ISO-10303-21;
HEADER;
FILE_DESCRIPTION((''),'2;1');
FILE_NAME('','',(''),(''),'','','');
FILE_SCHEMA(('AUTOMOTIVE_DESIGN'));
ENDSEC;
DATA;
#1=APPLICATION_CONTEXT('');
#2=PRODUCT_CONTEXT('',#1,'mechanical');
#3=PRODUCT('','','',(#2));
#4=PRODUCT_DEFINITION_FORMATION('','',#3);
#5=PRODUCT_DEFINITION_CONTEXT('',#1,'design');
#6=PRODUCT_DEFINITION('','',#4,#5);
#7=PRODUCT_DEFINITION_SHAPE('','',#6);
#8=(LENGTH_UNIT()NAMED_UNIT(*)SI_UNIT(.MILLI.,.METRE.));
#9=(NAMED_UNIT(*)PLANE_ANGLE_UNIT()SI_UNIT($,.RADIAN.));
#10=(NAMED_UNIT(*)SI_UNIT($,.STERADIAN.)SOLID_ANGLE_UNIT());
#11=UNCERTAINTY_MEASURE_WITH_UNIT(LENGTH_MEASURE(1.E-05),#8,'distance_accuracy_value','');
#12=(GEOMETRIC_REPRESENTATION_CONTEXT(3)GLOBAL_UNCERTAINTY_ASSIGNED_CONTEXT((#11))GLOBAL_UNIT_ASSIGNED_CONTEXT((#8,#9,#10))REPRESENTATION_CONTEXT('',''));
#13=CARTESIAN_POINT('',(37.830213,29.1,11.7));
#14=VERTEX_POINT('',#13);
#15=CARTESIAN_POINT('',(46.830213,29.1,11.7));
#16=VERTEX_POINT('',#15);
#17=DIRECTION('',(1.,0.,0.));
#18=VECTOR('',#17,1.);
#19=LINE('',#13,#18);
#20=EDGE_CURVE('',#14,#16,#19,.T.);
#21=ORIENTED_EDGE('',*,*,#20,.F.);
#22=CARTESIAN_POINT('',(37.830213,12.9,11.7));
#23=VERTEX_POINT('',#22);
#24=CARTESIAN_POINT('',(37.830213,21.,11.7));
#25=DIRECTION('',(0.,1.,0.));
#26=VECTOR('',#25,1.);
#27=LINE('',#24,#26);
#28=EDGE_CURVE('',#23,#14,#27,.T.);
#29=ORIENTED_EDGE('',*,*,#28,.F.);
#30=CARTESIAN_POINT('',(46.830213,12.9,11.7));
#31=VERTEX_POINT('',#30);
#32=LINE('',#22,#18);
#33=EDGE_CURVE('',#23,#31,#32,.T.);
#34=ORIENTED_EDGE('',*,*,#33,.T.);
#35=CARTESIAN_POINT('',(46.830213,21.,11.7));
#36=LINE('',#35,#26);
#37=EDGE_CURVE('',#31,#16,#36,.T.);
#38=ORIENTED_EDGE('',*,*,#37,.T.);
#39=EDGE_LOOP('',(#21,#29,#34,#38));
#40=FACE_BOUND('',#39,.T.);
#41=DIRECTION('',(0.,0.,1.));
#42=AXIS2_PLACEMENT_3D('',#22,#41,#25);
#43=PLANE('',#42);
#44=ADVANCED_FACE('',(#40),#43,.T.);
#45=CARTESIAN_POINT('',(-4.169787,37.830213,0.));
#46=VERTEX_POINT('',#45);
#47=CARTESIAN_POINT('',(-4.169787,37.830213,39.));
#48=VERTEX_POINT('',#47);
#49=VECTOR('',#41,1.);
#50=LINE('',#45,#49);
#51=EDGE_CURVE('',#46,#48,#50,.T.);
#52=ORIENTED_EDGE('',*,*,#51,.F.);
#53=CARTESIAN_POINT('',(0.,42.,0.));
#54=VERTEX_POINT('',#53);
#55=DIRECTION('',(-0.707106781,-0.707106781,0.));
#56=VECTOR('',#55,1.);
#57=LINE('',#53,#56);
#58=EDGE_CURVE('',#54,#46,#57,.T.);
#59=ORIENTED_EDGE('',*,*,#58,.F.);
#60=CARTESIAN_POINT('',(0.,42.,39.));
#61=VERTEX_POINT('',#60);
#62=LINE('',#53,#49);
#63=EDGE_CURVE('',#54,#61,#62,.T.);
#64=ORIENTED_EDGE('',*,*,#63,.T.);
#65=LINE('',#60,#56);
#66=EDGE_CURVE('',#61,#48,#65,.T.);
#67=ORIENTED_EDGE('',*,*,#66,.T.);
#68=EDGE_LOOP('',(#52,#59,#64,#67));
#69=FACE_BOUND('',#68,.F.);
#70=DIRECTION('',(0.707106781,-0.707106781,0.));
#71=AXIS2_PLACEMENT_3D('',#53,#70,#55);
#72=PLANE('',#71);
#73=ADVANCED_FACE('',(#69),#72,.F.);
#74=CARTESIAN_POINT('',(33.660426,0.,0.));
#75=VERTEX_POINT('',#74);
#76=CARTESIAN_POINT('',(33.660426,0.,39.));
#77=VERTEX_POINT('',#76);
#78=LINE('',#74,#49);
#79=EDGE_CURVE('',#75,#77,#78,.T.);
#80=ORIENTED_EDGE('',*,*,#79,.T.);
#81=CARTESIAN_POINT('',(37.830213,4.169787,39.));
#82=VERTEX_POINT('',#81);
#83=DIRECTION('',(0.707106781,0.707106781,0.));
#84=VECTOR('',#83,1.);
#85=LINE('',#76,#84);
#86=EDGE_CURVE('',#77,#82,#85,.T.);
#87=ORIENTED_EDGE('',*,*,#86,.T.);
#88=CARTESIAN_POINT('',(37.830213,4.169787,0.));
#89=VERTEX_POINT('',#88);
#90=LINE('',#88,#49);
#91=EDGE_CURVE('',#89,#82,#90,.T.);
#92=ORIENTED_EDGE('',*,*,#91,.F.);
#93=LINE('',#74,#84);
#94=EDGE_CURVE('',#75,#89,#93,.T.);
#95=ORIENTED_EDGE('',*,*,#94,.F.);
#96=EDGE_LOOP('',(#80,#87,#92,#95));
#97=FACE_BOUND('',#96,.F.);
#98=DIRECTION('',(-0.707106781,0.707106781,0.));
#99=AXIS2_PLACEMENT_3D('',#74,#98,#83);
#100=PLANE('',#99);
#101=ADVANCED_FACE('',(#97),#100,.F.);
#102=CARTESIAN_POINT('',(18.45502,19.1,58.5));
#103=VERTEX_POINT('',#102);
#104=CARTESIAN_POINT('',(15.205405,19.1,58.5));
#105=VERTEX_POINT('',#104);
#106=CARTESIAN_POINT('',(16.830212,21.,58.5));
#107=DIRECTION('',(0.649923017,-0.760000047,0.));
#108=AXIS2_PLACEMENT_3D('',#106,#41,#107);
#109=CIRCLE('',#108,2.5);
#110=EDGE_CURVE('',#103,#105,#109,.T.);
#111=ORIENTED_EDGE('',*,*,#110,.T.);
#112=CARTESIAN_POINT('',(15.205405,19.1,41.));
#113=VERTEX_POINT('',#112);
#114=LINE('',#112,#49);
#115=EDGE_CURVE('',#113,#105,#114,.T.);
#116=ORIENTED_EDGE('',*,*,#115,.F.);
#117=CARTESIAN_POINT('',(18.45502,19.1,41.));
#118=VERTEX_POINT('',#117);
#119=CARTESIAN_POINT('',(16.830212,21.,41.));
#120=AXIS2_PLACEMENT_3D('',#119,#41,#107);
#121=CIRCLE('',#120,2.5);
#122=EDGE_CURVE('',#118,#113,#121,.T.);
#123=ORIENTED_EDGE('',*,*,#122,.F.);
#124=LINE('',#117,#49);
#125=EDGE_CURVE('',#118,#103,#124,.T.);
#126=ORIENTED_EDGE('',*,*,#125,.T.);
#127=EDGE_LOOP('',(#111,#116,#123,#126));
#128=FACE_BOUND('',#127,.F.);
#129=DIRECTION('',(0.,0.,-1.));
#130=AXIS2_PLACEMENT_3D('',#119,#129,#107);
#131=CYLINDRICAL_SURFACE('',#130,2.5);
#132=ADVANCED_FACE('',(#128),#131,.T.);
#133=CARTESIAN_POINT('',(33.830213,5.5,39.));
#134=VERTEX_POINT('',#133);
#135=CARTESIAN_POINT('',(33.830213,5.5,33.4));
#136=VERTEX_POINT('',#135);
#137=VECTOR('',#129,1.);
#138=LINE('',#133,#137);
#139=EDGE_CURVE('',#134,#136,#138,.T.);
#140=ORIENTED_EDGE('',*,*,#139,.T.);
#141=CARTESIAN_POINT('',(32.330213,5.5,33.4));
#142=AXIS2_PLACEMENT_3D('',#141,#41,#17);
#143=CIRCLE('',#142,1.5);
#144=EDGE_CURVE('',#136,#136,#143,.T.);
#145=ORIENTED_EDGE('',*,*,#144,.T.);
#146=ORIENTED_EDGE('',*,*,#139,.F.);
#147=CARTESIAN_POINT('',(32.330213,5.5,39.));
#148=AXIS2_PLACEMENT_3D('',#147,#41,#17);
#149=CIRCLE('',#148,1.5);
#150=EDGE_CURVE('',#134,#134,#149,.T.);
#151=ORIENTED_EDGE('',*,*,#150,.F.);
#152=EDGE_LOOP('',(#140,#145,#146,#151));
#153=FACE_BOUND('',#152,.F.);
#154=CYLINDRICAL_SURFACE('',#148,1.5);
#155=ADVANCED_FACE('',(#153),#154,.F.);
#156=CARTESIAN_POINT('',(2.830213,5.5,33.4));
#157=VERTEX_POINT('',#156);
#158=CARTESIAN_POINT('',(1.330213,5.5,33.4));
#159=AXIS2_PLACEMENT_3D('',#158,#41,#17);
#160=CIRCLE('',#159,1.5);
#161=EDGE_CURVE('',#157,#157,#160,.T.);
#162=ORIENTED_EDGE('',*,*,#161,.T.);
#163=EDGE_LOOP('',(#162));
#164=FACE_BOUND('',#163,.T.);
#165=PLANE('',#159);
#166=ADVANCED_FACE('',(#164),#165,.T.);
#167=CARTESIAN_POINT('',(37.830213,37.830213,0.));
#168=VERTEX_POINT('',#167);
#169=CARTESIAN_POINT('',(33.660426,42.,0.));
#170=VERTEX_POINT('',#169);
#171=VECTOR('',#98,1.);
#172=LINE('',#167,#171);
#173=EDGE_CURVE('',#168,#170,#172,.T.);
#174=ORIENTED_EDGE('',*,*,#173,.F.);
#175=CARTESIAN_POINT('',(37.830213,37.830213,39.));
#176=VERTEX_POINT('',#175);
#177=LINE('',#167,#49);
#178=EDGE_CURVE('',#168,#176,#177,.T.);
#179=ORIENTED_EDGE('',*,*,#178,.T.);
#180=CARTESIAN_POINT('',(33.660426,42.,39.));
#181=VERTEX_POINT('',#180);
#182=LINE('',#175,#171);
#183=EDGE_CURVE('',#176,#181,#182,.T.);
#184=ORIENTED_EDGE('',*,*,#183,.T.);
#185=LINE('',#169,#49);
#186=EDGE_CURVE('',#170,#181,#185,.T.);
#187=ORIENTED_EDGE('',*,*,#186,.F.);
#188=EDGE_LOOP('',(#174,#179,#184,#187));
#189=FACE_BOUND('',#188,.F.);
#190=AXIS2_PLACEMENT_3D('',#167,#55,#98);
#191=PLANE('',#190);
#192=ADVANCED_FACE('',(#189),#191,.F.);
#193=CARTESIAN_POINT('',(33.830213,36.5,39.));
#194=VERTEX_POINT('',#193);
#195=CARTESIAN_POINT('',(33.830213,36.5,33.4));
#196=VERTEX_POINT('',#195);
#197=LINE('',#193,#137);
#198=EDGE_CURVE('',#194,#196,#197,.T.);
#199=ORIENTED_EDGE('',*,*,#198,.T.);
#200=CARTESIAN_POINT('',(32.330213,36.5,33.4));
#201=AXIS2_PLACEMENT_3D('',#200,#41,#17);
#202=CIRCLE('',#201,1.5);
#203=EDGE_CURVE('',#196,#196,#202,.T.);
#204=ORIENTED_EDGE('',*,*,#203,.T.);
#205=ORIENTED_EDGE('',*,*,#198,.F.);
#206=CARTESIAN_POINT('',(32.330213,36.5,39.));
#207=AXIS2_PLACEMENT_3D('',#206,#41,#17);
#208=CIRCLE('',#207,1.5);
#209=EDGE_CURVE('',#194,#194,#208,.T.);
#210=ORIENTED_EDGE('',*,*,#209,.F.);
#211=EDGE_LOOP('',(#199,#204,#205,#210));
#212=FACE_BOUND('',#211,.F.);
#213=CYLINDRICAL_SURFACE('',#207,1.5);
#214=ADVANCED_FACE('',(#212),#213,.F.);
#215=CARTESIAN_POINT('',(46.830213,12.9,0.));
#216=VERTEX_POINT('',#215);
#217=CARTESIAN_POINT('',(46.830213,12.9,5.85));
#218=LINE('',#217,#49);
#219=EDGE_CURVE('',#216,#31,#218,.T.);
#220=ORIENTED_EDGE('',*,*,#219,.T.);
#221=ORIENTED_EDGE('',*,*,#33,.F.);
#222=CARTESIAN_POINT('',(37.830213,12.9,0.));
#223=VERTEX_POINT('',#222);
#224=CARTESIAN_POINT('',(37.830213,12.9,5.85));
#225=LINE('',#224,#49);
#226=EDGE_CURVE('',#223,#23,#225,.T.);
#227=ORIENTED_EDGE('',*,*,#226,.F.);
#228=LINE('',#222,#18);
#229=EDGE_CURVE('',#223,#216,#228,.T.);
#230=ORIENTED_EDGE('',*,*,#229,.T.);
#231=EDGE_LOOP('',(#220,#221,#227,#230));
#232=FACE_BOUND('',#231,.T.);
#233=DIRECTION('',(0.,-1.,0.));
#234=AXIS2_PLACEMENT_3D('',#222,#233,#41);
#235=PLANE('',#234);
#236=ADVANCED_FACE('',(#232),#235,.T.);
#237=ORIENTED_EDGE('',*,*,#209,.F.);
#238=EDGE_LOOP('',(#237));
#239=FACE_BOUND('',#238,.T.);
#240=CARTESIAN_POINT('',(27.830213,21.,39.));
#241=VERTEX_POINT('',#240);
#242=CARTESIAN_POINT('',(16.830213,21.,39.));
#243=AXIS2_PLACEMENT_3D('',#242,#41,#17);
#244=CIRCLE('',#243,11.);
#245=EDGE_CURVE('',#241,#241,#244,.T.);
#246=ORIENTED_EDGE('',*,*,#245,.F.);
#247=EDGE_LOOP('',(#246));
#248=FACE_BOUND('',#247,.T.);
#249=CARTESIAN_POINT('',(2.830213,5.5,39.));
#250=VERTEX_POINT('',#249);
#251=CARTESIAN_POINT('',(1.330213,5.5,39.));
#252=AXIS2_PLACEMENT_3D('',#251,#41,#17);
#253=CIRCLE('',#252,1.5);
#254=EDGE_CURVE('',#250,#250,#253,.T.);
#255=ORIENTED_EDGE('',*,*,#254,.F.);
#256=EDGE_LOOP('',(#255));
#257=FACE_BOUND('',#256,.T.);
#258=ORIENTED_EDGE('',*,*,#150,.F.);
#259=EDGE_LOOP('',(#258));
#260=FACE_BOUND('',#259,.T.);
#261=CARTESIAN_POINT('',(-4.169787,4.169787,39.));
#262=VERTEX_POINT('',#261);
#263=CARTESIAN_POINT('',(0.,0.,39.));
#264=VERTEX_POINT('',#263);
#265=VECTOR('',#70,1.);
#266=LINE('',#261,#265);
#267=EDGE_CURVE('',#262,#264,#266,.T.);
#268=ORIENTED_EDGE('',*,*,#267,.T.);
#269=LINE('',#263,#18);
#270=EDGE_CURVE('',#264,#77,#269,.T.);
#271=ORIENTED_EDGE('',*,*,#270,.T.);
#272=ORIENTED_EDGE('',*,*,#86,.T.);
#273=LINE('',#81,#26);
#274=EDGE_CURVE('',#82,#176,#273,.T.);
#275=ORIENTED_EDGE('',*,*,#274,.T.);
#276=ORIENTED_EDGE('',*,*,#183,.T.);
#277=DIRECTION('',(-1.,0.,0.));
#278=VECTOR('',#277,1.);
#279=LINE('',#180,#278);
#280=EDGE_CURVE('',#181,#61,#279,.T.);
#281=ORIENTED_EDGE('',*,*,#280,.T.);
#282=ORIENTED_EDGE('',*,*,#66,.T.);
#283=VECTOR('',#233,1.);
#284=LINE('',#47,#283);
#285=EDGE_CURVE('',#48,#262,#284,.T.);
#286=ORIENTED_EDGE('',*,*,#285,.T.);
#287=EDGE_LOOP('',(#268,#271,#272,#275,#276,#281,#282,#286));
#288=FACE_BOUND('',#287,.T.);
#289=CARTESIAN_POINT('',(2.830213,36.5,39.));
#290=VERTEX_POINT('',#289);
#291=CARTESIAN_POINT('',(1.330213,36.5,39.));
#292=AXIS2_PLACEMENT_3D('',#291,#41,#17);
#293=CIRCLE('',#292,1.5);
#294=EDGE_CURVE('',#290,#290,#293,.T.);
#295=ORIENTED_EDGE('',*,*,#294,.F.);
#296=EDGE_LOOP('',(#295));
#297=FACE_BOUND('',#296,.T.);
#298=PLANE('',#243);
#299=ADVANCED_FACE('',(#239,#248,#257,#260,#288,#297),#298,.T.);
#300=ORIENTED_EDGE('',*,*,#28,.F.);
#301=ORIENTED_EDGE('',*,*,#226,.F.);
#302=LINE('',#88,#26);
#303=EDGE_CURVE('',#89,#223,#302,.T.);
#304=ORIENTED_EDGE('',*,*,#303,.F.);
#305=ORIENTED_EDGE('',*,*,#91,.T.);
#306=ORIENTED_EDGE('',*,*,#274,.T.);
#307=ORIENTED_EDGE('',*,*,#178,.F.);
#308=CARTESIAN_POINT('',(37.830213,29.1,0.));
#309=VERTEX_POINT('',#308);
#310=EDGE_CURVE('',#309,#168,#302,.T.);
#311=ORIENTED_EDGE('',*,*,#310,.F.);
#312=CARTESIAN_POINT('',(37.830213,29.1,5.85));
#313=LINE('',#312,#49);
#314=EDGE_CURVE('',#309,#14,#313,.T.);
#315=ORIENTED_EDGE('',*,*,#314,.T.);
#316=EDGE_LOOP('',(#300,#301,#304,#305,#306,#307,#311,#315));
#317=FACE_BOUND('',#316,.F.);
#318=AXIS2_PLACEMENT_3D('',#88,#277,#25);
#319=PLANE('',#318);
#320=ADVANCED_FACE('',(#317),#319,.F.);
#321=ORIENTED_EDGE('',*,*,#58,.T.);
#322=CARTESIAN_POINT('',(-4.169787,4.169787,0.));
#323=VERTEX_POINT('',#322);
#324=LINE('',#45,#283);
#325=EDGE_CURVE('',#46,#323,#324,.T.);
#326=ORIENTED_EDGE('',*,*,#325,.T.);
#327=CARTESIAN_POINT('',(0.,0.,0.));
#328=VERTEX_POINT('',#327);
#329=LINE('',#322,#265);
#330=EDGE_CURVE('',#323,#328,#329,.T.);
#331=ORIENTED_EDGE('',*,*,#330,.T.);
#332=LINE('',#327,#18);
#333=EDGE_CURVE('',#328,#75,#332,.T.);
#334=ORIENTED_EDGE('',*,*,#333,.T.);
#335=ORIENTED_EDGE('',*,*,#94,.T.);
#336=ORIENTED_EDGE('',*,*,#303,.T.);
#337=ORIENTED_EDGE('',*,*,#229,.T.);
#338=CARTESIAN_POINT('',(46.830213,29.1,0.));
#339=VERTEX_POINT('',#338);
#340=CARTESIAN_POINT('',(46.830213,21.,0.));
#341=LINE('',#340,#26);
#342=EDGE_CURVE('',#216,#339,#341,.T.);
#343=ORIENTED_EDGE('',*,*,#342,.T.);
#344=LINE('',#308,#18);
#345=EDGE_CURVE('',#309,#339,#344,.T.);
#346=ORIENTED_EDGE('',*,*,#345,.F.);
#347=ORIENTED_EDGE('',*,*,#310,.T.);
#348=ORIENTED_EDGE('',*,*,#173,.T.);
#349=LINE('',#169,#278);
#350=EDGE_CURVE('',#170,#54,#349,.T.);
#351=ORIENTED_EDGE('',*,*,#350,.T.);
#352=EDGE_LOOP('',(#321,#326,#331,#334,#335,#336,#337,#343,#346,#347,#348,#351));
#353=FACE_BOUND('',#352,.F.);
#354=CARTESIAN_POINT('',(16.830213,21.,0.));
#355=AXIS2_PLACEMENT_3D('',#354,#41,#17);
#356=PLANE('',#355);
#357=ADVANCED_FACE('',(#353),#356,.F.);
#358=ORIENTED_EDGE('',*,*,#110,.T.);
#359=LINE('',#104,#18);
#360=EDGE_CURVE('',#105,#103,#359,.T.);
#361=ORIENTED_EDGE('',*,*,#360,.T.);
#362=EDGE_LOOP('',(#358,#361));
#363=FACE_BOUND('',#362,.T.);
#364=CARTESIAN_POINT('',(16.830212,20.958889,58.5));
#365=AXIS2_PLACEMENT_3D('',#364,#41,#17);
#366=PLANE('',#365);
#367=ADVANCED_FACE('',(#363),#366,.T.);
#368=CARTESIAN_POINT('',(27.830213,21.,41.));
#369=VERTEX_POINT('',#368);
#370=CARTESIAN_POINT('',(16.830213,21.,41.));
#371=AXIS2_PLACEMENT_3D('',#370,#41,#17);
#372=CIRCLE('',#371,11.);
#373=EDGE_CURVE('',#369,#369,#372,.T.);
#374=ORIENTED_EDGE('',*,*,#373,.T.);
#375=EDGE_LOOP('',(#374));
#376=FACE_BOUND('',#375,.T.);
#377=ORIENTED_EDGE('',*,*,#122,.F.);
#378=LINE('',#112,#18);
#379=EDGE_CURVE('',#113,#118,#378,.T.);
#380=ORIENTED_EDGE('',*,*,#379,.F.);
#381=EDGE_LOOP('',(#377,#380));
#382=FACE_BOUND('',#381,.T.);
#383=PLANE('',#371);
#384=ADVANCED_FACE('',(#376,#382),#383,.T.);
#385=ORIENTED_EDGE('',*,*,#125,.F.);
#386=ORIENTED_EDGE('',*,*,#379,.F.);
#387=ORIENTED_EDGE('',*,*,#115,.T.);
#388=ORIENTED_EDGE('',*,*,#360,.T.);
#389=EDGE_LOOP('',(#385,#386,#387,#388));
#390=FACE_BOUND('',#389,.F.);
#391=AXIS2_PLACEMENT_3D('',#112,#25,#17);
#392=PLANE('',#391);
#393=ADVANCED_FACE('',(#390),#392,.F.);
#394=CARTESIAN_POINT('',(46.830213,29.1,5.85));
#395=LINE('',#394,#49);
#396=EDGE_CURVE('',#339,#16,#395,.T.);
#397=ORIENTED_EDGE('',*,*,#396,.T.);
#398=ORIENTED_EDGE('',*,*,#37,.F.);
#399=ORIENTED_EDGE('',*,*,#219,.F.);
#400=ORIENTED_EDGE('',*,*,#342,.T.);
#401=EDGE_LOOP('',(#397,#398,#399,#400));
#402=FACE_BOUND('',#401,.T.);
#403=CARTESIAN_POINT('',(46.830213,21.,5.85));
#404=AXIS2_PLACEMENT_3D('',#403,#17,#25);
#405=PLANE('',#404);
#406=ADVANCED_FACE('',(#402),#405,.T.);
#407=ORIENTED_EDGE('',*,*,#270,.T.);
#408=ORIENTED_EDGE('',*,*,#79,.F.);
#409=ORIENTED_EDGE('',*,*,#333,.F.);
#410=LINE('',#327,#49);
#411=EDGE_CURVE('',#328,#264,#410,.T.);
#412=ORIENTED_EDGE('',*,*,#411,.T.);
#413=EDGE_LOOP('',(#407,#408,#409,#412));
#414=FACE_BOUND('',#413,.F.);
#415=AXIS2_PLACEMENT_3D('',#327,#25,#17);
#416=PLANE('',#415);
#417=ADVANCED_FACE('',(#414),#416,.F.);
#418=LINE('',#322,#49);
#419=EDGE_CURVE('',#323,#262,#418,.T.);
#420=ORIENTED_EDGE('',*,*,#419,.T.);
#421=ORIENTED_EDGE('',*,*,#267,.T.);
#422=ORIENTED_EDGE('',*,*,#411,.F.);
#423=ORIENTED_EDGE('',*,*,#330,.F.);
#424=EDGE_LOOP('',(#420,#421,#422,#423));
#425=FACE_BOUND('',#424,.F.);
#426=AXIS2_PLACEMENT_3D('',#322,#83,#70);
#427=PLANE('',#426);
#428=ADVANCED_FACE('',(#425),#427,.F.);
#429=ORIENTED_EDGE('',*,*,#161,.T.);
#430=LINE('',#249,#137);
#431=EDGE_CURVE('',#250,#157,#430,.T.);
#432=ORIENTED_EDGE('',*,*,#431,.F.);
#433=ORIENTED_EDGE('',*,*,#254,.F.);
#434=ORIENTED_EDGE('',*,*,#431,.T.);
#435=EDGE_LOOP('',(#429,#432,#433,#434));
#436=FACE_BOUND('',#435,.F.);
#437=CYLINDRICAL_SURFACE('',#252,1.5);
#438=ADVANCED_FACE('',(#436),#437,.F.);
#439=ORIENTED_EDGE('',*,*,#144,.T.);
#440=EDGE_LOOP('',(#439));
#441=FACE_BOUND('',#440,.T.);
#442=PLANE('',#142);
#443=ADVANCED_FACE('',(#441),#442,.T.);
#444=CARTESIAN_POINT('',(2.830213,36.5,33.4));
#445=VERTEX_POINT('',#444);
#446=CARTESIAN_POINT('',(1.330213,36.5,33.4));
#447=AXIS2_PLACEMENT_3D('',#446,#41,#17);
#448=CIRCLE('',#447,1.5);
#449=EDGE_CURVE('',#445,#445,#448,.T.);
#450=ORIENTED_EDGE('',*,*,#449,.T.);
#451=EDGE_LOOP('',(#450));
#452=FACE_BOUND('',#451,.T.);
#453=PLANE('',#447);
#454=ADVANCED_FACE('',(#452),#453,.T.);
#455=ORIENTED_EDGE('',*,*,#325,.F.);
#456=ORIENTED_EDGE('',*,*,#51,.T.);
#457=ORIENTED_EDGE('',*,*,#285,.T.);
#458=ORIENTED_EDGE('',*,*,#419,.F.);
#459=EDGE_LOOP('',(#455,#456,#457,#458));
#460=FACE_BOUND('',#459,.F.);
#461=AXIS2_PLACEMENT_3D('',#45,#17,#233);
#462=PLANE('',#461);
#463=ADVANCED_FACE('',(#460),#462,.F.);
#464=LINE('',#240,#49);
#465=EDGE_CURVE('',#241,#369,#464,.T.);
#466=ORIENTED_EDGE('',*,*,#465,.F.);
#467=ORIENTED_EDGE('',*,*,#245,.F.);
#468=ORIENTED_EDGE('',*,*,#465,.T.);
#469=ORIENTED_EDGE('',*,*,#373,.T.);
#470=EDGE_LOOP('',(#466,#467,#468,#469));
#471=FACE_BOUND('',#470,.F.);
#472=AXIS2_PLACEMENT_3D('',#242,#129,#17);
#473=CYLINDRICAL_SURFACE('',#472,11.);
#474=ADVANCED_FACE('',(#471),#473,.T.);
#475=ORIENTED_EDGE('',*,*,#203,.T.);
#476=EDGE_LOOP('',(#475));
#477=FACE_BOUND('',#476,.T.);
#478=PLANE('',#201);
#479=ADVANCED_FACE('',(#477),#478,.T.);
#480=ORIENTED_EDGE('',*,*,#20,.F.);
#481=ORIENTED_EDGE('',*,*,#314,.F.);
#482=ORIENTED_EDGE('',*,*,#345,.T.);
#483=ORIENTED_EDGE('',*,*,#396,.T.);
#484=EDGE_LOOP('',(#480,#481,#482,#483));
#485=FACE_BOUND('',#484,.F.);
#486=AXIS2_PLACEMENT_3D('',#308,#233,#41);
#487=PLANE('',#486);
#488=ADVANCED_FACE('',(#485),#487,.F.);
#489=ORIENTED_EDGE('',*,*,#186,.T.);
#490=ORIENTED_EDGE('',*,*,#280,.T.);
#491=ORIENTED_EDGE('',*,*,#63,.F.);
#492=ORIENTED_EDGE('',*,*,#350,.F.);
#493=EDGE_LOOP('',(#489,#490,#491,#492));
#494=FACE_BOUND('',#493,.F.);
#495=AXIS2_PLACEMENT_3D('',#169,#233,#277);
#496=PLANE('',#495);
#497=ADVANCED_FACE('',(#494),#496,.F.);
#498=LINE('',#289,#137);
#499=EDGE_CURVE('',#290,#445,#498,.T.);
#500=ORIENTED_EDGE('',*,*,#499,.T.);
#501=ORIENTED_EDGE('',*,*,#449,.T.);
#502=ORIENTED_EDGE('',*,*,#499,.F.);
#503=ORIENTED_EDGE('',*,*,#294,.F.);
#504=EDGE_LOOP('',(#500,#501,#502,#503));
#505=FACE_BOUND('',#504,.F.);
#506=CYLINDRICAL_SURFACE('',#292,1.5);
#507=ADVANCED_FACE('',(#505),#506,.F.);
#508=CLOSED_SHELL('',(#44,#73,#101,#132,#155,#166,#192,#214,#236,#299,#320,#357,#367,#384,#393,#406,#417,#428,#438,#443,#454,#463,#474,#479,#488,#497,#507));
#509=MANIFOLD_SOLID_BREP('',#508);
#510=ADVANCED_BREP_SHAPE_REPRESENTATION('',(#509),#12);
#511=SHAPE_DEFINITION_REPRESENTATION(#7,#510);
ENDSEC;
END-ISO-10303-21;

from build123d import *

# Parameters (mm, degrees)
F1_DEPTH = 39
F2_R     = 11
F3_DEPTH = 2
F5_DEPTH = 17.5
F6_W     = 16.2
F6_H     = 11.7
F7_DEPTH = 9
F8_R     = 1.5
F9_DEPTH = 5.6


with BuildPart() as f1:
    # F0 (on Top) → F1 (new body)
    with BuildSketch(Plane.XY):
        Polygon((-4.169787, 4.169787), (0, 0), (33.660426, 0), (37.830213, 4.169787), (37.830213, 37.830213), (33.660426, 42), (0, 42), (-4.169787, 37.830213), align=None)
    extrude(amount=F1_DEPTH)

    # F2 (on face) → F3 (join)
    with BuildSketch(Plane.XY.offset(39)):
        with Locations((16.830213, 21)):
            Circle(F2_R)
    extrude(amount=F3_DEPTH)

    # F4 (on face) → F5 (join)
    with BuildSketch(Plane.XY.offset(41)):
        with BuildLine():
            Line((15.205405, 19.1), (18.45502, 19.1))
            ThreePointArc((18.45502, 19.1), (16.830213, 23.5), (15.205405, 19.1))
        make_face()
    extrude(amount=F5_DEPTH)

    # F6 (on face) → F7 (join)
    with BuildSketch(Plane.YZ.offset(37.830213)):
        with Locations((21, 5.85)):
            Rectangle(F6_W, F6_H)
    extrude(amount=F7_DEPTH)

    # F8 (on face) → F9 (cut)
    with BuildSketch(Plane.XY.offset(39)):
        with Locations((1.330213, 36.5)):
            Circle(F8_R)
        with Locations((32.330213, 36.5)):
            Circle(F8_R)
        with Locations((32.330213, 5.5)):
            Circle(F8_R)
        with Locations((1.330213, 5.5)):
            Circle(F8_R)
    extrude(amount=-F9_DEPTH, mode=Mode.SUBTRACT)


solid = f1.part
